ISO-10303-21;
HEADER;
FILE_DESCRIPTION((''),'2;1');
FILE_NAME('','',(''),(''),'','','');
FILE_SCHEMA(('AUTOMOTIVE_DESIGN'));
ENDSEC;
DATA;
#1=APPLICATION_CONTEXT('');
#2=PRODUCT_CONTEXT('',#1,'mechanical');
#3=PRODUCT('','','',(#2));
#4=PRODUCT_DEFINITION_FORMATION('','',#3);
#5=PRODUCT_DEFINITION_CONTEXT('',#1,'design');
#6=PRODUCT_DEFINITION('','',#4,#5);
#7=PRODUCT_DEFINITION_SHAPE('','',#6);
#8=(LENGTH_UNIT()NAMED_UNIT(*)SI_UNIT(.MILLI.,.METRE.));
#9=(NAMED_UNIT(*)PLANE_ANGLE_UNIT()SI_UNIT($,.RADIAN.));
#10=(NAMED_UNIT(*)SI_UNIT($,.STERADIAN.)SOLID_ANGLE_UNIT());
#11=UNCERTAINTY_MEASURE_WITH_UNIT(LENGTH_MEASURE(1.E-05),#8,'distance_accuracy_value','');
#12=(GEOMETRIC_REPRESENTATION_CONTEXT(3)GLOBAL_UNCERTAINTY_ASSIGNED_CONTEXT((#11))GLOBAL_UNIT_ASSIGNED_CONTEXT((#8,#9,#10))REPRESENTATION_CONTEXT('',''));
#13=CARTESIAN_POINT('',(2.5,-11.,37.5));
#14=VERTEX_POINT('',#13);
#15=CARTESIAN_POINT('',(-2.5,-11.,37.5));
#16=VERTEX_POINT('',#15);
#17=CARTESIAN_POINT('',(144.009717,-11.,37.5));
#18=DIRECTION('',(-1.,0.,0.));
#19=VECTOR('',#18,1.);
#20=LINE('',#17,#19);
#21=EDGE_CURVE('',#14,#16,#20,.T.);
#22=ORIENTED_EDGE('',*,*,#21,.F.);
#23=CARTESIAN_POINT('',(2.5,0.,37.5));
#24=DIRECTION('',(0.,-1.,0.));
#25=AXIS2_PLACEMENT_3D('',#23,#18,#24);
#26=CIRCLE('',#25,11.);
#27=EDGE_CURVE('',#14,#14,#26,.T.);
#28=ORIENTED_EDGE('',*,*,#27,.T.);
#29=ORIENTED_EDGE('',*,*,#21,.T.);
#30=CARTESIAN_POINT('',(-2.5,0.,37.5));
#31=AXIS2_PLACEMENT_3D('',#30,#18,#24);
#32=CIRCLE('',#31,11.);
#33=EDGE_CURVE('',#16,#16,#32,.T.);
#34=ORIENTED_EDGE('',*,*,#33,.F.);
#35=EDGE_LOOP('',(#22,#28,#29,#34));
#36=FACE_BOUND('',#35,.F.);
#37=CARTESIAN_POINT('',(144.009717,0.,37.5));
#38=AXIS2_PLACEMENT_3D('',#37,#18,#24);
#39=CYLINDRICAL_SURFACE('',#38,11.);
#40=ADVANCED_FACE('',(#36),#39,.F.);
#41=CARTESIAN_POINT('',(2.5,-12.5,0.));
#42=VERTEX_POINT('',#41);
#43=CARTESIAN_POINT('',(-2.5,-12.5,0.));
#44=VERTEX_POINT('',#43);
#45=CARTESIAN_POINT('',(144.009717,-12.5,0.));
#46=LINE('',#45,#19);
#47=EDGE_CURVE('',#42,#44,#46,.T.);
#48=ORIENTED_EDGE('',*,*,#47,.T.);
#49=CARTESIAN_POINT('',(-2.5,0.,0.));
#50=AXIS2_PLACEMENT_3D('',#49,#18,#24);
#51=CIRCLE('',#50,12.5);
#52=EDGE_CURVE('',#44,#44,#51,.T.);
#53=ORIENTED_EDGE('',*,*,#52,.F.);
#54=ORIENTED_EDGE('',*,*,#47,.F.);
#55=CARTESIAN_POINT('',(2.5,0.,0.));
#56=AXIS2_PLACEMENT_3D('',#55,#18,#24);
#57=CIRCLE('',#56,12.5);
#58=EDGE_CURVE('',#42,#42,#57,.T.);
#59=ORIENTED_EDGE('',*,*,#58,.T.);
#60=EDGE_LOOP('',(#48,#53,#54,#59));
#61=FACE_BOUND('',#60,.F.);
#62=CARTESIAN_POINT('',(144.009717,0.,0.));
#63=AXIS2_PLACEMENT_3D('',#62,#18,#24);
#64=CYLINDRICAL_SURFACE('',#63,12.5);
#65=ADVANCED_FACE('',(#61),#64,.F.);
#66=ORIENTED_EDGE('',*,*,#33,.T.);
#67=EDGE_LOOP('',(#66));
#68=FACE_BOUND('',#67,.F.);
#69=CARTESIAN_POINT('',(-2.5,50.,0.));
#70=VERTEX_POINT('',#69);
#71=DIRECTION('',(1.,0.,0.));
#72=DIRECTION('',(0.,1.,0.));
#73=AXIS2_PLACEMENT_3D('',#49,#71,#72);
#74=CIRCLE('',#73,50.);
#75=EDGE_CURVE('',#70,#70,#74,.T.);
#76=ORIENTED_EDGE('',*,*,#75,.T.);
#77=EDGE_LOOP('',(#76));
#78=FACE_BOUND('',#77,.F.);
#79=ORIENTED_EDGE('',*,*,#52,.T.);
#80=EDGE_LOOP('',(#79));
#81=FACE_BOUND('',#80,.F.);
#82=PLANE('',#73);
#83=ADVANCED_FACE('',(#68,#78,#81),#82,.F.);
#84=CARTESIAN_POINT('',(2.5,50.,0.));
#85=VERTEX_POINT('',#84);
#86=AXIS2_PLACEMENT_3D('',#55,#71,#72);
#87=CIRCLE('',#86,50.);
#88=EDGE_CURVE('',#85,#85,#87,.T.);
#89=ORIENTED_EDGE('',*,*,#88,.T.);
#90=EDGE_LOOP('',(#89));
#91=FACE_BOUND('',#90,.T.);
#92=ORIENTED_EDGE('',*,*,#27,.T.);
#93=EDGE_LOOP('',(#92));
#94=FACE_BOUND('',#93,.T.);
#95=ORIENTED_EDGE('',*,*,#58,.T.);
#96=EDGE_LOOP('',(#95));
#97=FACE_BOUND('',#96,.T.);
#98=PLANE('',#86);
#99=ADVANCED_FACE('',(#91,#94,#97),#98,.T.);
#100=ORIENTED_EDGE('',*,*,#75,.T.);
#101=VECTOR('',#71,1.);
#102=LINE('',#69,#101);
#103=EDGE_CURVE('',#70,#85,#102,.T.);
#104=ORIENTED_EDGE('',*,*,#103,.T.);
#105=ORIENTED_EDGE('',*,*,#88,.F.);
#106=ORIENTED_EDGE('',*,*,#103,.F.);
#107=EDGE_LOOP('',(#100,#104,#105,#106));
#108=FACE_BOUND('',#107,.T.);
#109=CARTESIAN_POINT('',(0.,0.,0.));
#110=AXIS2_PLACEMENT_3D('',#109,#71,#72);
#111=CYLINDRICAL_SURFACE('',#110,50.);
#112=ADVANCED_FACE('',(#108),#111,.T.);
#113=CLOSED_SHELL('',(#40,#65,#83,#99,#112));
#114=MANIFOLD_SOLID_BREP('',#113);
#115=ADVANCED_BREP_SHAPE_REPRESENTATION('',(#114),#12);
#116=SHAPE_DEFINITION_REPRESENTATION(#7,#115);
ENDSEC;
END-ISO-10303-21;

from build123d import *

# Parameters (mm, degrees)
F0_R     = 50
F1_DEPTH = 2.5
F3_D     = 25
F5_D     = 22


with BuildPart() as f1:
    # F0 (on Right) → F1 (new body, symmetric)
    with BuildSketch(Plane.YZ):
        Circle(F0_R)
    extrude(amount=F1_DEPTH, both=True)

    # F3 (through all)
    with Locations(Plane.YZ.offset(2.5)):
        with Locations((0, 0)):
            Hole(F3_D / 2)

    # F5 (through all)
    with Locations(Plane.YZ.offset(2.5)):
        with Locations((0, 37.5)):
            Hole(F5_D / 2)


solid = f1.part
